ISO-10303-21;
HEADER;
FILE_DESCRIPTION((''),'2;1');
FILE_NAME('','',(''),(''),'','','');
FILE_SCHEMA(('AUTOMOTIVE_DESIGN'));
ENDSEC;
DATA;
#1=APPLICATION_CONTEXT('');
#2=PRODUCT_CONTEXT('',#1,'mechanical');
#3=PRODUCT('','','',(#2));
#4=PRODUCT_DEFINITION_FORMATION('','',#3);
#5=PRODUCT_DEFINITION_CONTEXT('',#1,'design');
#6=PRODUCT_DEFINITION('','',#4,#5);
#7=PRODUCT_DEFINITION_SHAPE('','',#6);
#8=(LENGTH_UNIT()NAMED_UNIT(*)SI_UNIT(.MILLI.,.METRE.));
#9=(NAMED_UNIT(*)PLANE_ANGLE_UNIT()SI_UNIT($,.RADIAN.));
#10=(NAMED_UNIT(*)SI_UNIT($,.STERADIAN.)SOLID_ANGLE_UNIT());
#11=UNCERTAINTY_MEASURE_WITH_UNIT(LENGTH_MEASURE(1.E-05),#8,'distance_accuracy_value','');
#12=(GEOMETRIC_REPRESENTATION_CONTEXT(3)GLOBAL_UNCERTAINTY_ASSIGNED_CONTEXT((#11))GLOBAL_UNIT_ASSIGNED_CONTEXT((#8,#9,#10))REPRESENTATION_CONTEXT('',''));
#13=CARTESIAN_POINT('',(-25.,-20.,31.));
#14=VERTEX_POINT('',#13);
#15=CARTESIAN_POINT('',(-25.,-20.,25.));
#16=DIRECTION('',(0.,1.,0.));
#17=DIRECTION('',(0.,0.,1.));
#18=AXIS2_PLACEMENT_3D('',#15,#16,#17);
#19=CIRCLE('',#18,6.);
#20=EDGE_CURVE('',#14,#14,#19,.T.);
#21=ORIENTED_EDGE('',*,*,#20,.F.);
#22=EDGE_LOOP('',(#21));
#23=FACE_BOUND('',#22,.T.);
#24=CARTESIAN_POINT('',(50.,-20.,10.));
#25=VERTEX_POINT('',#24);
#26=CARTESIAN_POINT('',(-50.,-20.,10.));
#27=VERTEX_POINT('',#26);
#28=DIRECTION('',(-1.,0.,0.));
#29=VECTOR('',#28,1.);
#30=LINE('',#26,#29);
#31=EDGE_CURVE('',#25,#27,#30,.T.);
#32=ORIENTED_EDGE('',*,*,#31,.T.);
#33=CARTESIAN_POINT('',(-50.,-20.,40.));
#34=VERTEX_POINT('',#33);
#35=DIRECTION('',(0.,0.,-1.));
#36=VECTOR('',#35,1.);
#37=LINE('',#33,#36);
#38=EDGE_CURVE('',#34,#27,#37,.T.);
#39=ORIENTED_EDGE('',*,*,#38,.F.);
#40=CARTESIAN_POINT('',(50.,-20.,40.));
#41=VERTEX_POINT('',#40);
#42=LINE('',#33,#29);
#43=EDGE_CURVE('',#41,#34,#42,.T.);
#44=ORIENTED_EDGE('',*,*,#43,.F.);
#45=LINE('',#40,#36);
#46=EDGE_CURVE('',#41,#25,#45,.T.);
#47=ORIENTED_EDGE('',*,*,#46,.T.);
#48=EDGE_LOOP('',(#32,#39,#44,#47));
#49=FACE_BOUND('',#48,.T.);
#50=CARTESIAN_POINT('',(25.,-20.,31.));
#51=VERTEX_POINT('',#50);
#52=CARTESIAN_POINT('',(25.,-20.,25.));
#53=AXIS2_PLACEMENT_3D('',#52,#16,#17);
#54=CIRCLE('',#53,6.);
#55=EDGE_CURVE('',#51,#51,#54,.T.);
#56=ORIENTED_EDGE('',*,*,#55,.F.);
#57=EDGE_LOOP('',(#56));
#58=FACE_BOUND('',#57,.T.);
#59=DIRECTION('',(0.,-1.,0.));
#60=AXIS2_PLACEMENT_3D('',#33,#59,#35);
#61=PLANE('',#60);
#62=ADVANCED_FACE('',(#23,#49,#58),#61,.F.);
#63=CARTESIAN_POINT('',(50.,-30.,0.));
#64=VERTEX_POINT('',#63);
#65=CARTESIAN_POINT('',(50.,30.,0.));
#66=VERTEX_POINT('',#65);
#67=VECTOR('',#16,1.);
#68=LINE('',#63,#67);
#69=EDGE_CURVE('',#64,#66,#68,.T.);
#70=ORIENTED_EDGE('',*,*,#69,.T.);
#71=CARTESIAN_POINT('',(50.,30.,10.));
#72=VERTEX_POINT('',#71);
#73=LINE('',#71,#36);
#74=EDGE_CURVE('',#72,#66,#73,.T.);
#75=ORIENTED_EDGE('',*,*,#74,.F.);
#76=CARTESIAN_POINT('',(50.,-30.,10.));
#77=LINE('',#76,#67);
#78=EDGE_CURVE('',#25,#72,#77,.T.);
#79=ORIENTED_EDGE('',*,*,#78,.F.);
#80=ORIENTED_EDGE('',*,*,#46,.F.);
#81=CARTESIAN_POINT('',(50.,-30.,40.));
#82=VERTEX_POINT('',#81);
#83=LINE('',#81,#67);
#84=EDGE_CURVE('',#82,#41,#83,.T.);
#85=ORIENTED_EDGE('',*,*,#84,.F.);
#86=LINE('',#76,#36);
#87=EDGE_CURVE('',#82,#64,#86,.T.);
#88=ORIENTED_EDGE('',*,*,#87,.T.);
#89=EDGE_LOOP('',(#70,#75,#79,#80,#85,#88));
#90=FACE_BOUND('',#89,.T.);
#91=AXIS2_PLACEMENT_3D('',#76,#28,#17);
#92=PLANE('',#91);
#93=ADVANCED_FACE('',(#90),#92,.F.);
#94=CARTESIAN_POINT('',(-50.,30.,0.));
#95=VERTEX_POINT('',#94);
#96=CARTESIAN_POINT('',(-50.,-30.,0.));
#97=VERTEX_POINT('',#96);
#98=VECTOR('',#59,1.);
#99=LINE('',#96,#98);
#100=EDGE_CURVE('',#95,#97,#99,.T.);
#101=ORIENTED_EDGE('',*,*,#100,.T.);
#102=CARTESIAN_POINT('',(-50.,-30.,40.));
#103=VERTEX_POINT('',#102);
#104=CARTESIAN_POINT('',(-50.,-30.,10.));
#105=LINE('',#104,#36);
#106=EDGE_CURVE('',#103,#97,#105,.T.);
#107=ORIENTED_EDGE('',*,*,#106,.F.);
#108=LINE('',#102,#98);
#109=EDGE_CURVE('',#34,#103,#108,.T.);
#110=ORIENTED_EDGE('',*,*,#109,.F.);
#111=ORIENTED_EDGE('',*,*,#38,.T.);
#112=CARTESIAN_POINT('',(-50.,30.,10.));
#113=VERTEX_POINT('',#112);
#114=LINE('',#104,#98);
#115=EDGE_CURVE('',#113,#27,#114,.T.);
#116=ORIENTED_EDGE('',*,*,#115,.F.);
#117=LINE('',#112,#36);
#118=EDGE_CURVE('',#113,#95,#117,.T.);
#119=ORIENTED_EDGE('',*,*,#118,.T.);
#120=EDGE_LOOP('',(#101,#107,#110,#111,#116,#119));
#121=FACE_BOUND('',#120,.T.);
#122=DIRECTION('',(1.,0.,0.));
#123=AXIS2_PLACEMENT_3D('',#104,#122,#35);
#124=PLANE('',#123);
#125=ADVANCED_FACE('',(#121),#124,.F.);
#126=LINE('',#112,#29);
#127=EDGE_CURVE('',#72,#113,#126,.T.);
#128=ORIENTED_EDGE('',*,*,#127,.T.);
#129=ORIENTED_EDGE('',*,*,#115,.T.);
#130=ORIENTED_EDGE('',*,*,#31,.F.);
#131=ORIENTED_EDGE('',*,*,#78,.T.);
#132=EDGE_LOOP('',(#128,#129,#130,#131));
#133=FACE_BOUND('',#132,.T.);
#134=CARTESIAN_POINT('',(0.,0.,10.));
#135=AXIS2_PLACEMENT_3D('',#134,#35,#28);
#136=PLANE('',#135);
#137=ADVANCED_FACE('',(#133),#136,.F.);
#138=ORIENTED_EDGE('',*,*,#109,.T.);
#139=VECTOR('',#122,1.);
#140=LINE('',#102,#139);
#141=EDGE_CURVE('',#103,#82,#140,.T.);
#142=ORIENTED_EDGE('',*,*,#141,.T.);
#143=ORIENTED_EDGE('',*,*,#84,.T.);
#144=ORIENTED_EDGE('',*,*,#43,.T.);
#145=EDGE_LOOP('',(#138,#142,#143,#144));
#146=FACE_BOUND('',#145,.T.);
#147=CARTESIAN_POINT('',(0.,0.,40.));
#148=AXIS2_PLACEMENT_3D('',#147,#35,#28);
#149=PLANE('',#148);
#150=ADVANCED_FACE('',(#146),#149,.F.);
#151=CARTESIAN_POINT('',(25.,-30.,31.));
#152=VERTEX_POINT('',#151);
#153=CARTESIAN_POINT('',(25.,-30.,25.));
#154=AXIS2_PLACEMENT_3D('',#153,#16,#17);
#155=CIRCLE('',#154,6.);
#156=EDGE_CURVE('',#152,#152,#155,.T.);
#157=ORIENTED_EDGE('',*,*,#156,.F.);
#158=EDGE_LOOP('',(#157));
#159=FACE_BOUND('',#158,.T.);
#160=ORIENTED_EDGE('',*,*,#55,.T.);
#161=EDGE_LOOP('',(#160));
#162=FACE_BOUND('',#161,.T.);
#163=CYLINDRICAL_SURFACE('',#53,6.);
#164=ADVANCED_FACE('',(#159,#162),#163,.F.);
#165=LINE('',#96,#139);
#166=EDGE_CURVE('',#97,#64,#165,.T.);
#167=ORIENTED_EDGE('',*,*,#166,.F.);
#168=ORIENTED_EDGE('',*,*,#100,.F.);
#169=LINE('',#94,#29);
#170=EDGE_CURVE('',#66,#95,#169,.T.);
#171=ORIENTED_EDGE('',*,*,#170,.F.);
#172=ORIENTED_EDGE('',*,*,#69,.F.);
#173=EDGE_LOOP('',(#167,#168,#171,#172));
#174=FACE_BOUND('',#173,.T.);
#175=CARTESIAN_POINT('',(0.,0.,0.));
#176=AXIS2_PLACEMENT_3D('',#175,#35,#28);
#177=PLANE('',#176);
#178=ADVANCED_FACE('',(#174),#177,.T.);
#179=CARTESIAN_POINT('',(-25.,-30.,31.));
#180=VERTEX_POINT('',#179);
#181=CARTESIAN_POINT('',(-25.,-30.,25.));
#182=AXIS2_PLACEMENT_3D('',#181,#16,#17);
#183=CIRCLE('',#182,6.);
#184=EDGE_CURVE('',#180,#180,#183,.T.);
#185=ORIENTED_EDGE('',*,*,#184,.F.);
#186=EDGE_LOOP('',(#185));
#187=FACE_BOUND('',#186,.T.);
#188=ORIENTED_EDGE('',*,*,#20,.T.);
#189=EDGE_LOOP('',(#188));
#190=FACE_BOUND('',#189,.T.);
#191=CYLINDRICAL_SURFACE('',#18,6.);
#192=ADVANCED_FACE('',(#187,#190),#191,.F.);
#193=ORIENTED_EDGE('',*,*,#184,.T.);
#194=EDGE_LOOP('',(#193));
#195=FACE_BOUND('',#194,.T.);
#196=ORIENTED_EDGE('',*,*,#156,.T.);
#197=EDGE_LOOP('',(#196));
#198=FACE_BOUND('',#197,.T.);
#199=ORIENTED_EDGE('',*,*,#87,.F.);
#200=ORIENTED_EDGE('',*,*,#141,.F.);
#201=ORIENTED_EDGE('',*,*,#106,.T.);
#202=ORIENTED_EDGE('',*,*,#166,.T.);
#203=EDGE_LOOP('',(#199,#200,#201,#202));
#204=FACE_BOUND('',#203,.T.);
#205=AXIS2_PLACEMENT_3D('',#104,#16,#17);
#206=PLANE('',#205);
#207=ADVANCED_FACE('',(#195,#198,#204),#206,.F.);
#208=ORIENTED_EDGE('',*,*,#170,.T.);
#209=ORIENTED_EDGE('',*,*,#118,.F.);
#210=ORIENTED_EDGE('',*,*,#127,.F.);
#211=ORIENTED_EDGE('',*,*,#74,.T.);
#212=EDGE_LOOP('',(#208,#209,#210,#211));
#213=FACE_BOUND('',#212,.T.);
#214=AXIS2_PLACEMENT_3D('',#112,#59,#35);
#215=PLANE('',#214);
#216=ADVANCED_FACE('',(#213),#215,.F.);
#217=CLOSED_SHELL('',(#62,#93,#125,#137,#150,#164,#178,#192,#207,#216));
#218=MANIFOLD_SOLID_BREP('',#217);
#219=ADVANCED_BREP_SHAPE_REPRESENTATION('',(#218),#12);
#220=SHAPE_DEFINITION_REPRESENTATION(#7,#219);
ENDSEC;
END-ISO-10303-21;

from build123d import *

# Parameters (mm, degrees)
SZKIC1_W                    = 100
SZKIC1_H                    = 60
DODANIE_WYCI_GNI_CIE1_DEPTH = 10
SZKIC2_W                    = 100
SZKIC2_H                    = 10
DODANIE_WYCI_GNI_CIE2_DEPTH = 30
OTW_R_POD_RUB_M101_D        = 12
SZYK_LINIOWY2_COUNT         = 2
SZYK_LINIOWY2_PITCH         = 50


with BuildPart() as part:
    # Szkic1 → Dodanie-wyciągnięcie1 (new body)
    with BuildSketch(Plane.XY):
        Rectangle(SZKIC1_W, SZKIC1_H)
    extrude(amount=DODANIE_WYCI_GNI_CIE1_DEPTH)

    # Szkic2 → Dodanie-wyciągnięcie2 (add)
    with BuildSketch(Plane.XY.offset(10)):
        with Locations((0, -25)):
            Rectangle(SZKIC2_W, SZKIC2_H)
    extrude(amount=DODANIE_WYCI_GNI_CIE2_DEPTH)

    # Otwór pod śrubę M101 (through all)
    with Locations(Plane(origin=(0, -20, 0), x_dir=(1, 0, 0), z_dir=(0, 1, 0))):
        with Locations((-25, -25)):
            otw_r_pod_rub_m101 = Hole(OTW_R_POD_RUB_M101_D / 2)

    # Szyk liniowy2: Otwór pod śrubę M101 ×2
    with Locations(*[(i * SZYK_LINIOWY2_PITCH, 0, 0) for i in range(1, SZYK_LINIOWY2_COUNT)]):
        add(otw_r_pod_rub_m101, mode=Mode.SUBTRACT)


solid = part.part
